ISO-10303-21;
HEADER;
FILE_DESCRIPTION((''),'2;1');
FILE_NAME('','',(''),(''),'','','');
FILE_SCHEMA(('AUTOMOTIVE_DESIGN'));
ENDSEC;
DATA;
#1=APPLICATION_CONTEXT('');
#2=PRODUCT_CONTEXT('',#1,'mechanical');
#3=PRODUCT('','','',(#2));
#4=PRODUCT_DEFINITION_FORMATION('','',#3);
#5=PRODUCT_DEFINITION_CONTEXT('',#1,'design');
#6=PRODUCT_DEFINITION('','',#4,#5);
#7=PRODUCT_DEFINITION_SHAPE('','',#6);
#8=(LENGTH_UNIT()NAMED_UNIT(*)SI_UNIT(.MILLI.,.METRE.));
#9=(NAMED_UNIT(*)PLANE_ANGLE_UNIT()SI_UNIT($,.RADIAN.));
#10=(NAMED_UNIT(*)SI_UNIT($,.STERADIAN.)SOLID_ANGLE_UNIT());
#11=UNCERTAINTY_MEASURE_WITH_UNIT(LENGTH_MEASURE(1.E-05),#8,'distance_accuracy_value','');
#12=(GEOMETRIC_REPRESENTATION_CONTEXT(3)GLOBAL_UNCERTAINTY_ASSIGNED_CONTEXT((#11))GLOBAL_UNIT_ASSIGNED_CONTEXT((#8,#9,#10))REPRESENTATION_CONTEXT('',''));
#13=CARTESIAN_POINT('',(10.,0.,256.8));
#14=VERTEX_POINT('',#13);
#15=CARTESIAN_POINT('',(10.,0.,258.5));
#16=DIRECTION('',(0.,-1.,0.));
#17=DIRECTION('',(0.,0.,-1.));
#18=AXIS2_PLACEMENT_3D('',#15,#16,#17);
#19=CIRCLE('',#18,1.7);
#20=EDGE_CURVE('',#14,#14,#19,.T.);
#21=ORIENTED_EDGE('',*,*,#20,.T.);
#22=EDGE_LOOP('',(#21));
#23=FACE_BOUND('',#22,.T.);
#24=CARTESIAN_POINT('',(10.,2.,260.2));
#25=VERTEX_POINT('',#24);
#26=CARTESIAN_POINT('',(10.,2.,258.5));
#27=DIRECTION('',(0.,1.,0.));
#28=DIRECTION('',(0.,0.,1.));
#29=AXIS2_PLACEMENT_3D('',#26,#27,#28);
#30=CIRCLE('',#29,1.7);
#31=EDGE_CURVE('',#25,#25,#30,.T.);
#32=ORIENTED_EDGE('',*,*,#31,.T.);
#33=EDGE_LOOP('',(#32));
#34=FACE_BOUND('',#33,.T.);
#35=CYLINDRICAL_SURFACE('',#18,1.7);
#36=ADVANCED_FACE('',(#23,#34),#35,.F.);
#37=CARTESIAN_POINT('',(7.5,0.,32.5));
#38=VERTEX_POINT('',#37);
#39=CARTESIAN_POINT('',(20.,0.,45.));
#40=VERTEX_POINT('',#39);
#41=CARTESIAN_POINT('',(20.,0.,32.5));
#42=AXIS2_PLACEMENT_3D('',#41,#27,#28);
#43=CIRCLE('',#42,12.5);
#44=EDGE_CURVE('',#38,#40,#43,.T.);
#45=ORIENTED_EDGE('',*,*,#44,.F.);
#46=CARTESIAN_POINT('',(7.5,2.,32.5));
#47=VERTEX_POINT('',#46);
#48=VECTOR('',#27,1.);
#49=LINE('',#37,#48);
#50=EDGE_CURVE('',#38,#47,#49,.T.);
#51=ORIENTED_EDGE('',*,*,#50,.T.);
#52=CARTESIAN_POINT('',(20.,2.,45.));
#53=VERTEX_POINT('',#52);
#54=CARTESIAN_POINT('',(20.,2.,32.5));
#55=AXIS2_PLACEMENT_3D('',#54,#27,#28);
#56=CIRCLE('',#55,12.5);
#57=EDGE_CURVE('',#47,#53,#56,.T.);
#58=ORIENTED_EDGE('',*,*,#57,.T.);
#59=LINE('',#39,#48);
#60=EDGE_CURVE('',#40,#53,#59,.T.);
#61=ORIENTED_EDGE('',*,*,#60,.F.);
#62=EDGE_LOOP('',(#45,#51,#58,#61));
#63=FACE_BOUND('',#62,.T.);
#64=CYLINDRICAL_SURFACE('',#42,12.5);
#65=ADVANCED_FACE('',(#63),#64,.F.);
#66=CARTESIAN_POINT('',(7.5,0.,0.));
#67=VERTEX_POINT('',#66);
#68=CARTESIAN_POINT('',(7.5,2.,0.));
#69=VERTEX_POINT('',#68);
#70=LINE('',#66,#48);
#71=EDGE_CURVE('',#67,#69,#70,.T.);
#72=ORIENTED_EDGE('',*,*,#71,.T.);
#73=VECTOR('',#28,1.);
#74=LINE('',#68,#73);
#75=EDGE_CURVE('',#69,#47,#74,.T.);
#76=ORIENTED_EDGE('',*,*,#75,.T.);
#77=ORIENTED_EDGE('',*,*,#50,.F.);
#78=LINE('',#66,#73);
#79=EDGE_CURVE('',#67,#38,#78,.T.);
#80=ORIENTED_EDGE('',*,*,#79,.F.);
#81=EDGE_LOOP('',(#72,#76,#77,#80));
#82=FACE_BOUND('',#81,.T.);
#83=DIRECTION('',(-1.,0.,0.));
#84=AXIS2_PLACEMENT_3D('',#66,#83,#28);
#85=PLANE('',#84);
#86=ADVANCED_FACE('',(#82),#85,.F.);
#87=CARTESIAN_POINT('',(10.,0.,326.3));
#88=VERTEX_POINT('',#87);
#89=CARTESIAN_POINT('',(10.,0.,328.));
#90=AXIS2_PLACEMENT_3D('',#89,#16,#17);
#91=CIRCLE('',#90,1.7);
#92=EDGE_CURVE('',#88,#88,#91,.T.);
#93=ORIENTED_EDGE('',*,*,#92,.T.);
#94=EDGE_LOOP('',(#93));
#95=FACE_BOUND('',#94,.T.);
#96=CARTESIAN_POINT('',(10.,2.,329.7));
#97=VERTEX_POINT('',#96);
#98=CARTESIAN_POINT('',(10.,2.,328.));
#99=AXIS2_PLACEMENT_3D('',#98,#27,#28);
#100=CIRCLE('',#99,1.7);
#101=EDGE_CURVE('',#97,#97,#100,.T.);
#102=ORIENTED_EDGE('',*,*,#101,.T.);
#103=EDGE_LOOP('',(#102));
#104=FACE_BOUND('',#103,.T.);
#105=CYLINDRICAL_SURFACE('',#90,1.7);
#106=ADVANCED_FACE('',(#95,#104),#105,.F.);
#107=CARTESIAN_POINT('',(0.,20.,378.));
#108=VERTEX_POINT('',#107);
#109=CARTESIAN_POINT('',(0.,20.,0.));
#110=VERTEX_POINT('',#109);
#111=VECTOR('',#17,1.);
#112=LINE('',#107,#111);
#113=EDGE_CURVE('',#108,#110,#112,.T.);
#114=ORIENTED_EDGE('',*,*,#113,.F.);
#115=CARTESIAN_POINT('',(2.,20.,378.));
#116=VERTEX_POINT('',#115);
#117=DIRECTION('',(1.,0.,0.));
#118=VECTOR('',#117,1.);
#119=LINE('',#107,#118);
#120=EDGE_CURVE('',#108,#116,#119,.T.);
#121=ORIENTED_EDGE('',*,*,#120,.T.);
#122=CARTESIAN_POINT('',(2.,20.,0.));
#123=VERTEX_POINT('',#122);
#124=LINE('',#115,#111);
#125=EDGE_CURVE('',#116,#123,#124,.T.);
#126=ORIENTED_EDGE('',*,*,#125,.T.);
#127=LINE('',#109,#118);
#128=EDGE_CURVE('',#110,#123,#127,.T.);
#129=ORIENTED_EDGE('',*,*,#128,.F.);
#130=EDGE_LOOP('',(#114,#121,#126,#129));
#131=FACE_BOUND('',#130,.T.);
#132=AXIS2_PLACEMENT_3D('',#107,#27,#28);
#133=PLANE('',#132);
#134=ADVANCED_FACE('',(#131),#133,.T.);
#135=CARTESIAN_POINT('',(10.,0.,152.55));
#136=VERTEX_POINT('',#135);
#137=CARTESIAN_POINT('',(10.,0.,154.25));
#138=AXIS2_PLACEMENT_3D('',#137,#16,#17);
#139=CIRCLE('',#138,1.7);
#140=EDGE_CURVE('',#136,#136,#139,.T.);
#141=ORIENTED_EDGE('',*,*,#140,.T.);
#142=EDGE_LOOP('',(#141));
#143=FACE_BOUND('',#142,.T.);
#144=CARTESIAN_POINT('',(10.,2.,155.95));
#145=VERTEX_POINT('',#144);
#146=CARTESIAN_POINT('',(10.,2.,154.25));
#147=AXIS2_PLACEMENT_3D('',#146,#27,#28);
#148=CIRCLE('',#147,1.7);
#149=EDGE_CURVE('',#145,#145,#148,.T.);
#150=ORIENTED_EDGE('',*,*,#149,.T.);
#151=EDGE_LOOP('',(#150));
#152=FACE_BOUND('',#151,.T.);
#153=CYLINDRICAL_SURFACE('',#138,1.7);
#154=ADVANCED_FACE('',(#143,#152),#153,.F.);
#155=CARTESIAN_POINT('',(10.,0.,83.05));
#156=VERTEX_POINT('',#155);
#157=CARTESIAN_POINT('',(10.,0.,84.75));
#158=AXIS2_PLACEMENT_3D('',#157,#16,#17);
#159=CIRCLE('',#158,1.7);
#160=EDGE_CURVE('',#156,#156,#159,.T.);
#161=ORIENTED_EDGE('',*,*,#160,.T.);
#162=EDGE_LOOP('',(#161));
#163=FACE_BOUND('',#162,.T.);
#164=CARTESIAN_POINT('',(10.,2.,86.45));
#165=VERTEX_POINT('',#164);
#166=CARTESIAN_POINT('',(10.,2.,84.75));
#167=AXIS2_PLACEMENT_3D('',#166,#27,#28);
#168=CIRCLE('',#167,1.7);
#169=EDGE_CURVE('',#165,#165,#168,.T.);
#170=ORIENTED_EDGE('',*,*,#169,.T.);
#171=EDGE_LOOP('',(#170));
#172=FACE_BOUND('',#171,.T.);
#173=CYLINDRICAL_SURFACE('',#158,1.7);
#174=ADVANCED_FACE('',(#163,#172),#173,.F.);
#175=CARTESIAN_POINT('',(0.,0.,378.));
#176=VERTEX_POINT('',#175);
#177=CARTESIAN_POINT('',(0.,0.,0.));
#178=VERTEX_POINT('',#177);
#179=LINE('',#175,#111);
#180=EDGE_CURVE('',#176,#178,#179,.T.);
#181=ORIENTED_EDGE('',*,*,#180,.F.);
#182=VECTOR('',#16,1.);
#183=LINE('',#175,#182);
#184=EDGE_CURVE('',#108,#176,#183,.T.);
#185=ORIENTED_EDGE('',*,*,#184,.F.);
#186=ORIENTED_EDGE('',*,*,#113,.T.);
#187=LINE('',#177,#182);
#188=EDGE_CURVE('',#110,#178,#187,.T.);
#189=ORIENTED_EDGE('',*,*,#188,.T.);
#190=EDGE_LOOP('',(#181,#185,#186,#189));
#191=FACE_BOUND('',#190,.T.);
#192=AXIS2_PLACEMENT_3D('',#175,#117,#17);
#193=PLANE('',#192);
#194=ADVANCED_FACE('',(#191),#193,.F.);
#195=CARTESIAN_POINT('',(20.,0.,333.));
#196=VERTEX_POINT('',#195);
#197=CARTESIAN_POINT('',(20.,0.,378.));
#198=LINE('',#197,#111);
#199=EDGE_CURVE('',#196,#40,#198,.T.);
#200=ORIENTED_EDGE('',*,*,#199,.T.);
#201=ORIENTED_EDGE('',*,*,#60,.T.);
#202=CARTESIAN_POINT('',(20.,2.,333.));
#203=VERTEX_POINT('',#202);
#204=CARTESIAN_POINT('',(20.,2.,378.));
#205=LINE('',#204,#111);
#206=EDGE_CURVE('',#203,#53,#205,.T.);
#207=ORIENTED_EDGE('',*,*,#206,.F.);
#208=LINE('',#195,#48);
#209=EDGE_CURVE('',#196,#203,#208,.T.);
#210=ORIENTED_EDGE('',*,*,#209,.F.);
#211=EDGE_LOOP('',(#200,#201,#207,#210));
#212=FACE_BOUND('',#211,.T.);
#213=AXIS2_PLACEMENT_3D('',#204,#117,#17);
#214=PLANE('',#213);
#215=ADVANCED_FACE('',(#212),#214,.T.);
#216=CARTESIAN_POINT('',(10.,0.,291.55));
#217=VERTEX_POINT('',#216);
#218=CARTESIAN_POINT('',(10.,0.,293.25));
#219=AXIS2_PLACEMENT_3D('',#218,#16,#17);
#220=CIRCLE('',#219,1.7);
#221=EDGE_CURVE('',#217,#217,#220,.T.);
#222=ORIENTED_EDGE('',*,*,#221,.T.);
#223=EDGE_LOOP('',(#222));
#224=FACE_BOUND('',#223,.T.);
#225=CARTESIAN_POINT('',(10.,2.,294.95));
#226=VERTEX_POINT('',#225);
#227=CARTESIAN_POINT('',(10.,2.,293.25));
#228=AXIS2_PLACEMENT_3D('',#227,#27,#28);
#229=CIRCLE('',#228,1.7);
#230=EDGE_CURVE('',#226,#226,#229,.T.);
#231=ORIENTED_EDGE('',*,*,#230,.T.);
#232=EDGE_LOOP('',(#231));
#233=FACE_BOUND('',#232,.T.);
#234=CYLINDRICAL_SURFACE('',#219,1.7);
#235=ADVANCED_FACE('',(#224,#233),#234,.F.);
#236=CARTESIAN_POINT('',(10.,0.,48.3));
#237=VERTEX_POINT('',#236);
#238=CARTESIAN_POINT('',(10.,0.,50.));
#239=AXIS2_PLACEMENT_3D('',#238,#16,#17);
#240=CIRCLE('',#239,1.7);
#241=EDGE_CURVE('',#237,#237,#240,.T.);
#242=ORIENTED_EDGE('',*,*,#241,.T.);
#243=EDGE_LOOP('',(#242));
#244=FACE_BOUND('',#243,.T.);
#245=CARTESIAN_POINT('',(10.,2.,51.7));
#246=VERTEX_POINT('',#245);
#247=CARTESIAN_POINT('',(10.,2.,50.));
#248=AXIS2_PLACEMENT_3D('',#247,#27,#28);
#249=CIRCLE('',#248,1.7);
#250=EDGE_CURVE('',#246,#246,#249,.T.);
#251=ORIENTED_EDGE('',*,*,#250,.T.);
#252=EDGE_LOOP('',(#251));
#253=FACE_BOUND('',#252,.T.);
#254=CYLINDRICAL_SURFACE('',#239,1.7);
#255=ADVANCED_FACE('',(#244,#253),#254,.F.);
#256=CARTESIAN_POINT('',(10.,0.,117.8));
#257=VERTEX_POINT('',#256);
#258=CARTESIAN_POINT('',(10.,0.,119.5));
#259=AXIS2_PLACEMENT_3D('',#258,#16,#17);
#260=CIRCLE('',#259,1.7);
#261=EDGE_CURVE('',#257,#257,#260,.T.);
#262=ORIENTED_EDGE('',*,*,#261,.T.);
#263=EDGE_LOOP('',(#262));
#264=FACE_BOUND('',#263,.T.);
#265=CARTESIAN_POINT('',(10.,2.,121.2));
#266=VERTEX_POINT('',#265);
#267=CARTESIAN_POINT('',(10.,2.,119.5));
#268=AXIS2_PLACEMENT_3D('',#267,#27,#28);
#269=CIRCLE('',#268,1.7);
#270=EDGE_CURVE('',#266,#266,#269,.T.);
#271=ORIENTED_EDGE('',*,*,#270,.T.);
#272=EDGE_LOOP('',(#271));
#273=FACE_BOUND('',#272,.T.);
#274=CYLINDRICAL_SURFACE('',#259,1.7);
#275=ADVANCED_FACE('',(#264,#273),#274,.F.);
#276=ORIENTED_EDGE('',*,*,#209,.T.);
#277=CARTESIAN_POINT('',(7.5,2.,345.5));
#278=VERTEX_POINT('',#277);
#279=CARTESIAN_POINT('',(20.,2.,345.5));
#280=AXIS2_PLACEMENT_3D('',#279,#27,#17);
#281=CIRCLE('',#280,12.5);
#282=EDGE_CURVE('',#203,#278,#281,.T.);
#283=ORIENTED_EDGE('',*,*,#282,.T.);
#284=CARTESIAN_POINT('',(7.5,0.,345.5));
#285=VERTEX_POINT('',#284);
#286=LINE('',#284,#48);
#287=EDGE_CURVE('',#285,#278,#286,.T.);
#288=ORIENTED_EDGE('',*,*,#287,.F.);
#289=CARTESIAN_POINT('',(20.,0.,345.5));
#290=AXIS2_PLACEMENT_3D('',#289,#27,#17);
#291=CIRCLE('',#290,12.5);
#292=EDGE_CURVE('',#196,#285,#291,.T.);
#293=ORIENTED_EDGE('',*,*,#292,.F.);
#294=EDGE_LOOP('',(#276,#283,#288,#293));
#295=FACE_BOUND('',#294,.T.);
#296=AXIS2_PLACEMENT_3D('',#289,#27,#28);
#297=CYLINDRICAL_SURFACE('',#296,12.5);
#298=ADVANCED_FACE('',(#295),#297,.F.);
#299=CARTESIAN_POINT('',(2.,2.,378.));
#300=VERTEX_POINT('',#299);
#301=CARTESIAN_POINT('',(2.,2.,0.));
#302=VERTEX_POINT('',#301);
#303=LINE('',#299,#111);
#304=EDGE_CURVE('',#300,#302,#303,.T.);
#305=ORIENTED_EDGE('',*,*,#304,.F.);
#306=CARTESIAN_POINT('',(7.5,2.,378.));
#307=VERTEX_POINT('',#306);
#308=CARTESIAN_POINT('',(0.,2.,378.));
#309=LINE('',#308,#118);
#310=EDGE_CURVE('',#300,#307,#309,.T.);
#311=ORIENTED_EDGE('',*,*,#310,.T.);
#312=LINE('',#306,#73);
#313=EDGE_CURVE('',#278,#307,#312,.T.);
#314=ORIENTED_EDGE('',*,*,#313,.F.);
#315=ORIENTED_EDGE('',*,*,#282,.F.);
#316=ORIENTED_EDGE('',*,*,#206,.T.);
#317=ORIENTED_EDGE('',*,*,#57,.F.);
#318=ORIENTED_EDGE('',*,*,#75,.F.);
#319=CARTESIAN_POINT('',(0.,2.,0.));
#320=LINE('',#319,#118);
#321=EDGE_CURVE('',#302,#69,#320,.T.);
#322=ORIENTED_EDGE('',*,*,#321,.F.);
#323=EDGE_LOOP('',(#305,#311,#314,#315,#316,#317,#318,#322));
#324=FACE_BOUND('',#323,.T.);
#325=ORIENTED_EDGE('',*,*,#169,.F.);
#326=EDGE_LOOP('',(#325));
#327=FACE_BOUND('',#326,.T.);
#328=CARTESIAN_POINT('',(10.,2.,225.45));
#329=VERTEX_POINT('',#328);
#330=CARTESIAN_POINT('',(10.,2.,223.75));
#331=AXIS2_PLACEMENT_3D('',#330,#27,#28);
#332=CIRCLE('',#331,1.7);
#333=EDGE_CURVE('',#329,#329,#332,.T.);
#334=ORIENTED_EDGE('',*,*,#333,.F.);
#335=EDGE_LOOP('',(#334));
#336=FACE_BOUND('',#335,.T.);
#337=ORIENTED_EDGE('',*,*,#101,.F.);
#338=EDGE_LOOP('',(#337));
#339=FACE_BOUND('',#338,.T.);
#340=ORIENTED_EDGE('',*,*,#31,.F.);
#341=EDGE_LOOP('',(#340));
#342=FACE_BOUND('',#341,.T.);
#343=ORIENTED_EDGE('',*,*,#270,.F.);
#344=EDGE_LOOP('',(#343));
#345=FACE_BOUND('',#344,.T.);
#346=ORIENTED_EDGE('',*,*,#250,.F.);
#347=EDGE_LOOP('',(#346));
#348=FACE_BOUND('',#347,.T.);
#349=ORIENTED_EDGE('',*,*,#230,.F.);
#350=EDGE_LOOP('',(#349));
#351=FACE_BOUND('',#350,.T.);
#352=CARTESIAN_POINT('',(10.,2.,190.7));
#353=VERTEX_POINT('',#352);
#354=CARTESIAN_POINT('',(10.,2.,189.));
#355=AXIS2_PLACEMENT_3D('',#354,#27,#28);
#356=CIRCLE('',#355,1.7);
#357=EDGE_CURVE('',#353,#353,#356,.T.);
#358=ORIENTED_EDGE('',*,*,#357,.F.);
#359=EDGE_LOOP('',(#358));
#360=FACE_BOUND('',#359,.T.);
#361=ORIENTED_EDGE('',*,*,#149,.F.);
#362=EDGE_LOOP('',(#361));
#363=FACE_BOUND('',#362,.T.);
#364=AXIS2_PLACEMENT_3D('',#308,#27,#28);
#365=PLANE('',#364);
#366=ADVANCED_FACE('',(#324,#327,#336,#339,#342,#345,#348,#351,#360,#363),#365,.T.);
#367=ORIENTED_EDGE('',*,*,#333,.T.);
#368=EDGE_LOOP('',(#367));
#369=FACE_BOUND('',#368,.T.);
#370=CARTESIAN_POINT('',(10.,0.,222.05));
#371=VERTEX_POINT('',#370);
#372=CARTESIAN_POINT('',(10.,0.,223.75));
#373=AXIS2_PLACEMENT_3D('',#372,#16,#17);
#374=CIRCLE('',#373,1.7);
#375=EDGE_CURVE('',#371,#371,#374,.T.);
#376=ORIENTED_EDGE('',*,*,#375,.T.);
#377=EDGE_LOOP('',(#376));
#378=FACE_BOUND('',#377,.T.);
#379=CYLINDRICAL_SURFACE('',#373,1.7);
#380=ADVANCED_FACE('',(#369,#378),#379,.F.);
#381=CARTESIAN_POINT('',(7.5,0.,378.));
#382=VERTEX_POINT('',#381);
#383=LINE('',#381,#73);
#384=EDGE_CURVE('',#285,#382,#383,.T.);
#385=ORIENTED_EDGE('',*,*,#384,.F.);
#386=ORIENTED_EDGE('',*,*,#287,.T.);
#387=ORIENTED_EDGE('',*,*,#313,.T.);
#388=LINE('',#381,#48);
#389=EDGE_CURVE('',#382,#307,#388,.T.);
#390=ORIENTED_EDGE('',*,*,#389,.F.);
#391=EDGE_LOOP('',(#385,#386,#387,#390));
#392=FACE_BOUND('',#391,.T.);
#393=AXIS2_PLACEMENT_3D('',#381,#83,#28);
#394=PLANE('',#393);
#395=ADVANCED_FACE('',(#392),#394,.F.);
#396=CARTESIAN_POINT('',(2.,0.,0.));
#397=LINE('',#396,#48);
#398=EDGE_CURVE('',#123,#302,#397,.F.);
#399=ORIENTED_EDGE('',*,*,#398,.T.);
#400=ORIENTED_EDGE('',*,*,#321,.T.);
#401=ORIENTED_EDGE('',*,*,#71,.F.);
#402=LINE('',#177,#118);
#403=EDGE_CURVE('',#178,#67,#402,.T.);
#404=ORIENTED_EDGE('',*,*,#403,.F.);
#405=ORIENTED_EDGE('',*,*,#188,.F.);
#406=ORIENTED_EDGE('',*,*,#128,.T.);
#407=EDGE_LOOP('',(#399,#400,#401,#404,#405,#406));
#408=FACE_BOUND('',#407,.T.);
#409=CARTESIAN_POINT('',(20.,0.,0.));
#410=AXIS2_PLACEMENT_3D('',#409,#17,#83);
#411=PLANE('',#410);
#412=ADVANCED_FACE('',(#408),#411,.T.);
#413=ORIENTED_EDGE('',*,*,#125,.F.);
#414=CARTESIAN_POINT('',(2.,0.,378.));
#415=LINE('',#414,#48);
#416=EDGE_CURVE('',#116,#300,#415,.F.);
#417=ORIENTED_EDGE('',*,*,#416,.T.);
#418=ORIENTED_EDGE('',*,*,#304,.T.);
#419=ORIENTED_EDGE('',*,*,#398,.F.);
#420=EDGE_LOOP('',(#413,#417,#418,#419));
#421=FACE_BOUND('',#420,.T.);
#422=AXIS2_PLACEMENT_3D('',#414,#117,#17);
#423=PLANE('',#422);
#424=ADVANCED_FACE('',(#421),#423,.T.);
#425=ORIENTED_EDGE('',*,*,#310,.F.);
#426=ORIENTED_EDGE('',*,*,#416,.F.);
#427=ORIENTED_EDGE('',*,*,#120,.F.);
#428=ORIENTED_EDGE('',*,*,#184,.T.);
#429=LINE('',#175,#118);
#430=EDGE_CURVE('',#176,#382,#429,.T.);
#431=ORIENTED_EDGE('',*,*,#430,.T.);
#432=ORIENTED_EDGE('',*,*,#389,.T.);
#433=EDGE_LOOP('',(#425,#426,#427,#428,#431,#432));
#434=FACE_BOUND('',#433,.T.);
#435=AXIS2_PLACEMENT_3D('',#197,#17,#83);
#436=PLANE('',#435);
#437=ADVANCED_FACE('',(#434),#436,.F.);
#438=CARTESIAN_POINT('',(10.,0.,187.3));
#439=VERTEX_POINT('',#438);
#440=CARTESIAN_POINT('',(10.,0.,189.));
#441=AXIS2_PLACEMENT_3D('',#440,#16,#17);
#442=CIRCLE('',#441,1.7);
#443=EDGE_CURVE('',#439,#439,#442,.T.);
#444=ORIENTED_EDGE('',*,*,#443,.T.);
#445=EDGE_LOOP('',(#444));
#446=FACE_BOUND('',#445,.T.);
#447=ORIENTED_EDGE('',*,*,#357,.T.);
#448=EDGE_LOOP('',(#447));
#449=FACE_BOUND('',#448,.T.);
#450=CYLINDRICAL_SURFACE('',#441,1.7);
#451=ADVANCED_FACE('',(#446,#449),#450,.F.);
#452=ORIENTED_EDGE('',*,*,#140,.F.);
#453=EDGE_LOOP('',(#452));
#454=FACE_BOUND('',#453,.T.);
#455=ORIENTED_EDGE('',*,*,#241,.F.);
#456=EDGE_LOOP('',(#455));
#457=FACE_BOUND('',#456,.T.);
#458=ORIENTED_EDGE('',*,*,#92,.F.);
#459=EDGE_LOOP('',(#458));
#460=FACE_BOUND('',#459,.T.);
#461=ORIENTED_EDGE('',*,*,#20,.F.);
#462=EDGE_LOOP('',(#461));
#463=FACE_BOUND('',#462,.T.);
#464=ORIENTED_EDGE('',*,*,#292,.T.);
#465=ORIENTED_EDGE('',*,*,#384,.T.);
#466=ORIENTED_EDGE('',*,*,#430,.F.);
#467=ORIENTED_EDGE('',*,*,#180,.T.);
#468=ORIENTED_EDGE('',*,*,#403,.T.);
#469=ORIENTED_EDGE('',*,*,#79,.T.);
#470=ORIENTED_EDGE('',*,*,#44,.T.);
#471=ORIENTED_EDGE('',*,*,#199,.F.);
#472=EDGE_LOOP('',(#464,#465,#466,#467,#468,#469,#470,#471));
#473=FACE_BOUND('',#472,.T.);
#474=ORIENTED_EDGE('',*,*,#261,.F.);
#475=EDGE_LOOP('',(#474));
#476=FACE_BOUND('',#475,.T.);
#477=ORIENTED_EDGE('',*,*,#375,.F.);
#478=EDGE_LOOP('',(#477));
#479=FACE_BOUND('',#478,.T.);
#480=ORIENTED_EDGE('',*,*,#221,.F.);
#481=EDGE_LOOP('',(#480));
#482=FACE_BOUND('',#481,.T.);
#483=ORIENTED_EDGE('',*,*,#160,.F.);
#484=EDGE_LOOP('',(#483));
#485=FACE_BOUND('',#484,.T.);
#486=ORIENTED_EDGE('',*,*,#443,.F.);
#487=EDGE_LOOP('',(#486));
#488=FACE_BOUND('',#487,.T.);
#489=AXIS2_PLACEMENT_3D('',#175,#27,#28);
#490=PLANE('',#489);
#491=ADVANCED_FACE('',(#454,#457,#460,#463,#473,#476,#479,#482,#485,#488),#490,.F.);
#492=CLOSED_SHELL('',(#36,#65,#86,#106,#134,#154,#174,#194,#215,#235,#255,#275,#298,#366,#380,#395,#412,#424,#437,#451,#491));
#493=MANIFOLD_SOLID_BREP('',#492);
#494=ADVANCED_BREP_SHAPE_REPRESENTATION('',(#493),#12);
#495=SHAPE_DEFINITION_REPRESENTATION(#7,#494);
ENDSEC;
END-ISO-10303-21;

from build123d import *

# Parameters (mm, degrees)
EXTRUDE_1_DEPTH       = 378
CUT_EXTRUDE_1_DEPTH   = 379.956461879
HOLE_WIZARD_M31_D     = 3.4
HOLE_WIZARD_M31_DEPTH = 5
HOLE_WIZARD_M31_TIP   = 1.021463052


with BuildPart() as part:
    # Эскиз1 → Вытянуть-Тонкостенный1 (new body)
    with BuildSketch(Plane.XY):
        Polygon((20, 0), (0, 0), (0, 20), (2, 20), (2, 2), (20, 2), align=None)
    extrude(amount=EXTRUDE_1_DEPTH)

    # Эскиз2 → Вырез-Вытянуть1 (cut, through all)
    with BuildSketch(Plane(origin=(0, 2, 0), x_dir=(1, 0, 0), z_dir=(0, 1, 0))):
        with BuildLine():
            Line((7.5, -378), (7.5, -345.5))
            ThreePointArc((7.5, -345.5), (11.161165235, -336.661165235), (20, -333))
            Line((20, -333), (20, -378))
            Line((20, -378), (7.5, -378))
        make_face()
        with BuildLine():
            Line((20, 0), (7.5, 0))
            Line((7.5, 0), (7.5, -32.5))
            ThreePointArc((7.5, -32.5), (11.161165235, -41.338834765), (20, -45))
            Line((20, -45), (20, 0))
        make_face()
    extrude(amount=-CUT_EXTRUDE_1_DEPTH, mode=Mode.SUBTRACT)

    # Отверстие с зазором M31
    with Locations(Plane.XZ):
        with Locations((10, 50), (10, 84.75), (10, 119.5), (10, 154.25), (10, 189), (10, 223.75), (10, 258.5), (10, 293.25), (10, 328)):
            Hole(HOLE_WIZARD_M31_D / 2, depth=HOLE_WIZARD_M31_DEPTH)
            with Locations((0, 0, -(HOLE_WIZARD_M31_DEPTH + HOLE_WIZARD_M31_TIP / 2))):  # 118° drill point
                Cone(0, HOLE_WIZARD_M31_D / 2, HOLE_WIZARD_M31_TIP, mode=Mode.SUBTRACT)


solid = part.part
